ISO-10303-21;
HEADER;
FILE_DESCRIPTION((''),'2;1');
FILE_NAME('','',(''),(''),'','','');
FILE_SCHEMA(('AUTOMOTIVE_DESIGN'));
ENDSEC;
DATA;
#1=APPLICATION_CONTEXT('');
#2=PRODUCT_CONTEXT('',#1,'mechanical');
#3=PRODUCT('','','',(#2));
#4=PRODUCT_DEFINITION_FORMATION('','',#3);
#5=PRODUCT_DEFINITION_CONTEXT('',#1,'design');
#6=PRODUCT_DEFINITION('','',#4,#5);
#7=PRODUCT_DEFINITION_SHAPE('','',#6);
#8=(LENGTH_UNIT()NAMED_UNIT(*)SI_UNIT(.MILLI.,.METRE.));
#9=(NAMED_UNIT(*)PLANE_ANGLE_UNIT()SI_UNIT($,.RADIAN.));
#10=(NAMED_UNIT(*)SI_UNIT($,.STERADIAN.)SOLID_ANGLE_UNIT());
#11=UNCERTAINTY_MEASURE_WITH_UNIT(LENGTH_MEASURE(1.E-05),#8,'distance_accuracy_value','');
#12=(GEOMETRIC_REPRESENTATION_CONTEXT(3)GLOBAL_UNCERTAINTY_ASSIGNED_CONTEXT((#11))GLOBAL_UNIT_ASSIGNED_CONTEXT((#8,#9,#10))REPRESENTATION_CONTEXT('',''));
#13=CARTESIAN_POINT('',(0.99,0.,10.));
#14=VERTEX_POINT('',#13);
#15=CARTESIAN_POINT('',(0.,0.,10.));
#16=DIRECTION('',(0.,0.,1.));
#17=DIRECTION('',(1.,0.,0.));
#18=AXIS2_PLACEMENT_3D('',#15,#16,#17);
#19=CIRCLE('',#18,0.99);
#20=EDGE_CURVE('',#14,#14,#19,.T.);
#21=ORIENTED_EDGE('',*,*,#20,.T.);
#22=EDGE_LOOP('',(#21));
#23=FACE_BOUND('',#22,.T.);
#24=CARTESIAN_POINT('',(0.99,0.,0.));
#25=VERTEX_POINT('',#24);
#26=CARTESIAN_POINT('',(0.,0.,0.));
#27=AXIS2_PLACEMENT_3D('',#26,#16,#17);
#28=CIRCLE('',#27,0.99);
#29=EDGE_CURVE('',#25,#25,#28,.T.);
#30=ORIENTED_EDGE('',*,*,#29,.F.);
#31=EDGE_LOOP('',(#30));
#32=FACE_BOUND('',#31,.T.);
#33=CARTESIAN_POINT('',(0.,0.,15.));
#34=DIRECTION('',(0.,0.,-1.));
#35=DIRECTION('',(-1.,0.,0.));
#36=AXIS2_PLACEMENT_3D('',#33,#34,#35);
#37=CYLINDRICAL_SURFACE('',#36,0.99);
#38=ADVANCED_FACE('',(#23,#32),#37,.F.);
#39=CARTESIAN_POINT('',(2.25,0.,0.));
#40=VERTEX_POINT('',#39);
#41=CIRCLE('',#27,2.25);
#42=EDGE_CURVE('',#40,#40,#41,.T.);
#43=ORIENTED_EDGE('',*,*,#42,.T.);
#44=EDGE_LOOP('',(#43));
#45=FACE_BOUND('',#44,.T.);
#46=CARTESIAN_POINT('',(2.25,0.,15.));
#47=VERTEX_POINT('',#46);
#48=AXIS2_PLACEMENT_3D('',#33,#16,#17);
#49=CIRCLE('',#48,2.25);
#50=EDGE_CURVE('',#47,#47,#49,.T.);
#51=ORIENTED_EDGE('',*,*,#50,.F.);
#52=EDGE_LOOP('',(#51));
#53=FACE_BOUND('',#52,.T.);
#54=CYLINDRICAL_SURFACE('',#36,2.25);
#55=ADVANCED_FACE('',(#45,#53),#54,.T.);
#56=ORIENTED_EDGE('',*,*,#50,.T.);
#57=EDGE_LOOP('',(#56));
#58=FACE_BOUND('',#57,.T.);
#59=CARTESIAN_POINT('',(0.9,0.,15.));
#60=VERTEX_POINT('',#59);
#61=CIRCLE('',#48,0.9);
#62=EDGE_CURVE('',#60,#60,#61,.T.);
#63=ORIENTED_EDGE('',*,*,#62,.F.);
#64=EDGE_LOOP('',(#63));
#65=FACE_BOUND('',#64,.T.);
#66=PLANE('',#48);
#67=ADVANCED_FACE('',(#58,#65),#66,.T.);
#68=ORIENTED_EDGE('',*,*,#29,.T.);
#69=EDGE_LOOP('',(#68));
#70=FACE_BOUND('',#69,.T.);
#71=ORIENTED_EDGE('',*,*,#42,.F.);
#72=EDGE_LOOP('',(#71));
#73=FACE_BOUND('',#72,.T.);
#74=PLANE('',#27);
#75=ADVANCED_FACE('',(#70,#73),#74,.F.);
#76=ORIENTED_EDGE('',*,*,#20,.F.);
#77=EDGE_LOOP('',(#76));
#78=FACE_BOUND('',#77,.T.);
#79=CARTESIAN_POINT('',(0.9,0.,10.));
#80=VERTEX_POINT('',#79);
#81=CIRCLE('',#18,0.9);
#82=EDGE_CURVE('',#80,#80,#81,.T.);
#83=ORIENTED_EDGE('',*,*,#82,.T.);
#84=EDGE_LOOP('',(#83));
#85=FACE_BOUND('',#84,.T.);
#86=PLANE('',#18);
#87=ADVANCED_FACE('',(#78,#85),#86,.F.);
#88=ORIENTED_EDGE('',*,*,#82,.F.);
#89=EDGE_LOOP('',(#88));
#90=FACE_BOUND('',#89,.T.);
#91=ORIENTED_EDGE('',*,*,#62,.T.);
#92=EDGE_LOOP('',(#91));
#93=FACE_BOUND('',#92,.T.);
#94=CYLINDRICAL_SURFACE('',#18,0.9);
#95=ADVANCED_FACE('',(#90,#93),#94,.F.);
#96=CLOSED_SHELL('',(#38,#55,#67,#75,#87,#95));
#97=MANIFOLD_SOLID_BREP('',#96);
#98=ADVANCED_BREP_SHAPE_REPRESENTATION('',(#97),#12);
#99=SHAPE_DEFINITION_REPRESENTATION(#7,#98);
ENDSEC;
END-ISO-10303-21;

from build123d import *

# Parameters (mm, degrees)
CROQUIS1_R              = 2.25
CROQUIS1_R_2            = 0.99
SALIENTE_EXTRUIR1_DEPTH = 15
CROQUIS2_R              = 1.367663893
CROQUIS2_R_2            = 0.9
SALIENTE_EXTRUIR2_DEPTH = 5


with BuildPart() as part:
    # Croquis1 → Saliente-Extruir1 (new body)
    with BuildSketch(Plane.XY):
        Circle(CROQUIS1_R)
        Circle(CROQUIS1_R_2, mode=Mode.SUBTRACT)
    extrude(amount=SALIENTE_EXTRUIR1_DEPTH)

    # Croquis2 → Saliente-Extruir2 (add)
    with BuildSketch(Plane.XY.offset(15)):
        Circle(CROQUIS2_R)
        Circle(CROQUIS2_R_2, mode=Mode.SUBTRACT)
    extrude(amount=-SALIENTE_EXTRUIR2_DEPTH)


solid = part.part
